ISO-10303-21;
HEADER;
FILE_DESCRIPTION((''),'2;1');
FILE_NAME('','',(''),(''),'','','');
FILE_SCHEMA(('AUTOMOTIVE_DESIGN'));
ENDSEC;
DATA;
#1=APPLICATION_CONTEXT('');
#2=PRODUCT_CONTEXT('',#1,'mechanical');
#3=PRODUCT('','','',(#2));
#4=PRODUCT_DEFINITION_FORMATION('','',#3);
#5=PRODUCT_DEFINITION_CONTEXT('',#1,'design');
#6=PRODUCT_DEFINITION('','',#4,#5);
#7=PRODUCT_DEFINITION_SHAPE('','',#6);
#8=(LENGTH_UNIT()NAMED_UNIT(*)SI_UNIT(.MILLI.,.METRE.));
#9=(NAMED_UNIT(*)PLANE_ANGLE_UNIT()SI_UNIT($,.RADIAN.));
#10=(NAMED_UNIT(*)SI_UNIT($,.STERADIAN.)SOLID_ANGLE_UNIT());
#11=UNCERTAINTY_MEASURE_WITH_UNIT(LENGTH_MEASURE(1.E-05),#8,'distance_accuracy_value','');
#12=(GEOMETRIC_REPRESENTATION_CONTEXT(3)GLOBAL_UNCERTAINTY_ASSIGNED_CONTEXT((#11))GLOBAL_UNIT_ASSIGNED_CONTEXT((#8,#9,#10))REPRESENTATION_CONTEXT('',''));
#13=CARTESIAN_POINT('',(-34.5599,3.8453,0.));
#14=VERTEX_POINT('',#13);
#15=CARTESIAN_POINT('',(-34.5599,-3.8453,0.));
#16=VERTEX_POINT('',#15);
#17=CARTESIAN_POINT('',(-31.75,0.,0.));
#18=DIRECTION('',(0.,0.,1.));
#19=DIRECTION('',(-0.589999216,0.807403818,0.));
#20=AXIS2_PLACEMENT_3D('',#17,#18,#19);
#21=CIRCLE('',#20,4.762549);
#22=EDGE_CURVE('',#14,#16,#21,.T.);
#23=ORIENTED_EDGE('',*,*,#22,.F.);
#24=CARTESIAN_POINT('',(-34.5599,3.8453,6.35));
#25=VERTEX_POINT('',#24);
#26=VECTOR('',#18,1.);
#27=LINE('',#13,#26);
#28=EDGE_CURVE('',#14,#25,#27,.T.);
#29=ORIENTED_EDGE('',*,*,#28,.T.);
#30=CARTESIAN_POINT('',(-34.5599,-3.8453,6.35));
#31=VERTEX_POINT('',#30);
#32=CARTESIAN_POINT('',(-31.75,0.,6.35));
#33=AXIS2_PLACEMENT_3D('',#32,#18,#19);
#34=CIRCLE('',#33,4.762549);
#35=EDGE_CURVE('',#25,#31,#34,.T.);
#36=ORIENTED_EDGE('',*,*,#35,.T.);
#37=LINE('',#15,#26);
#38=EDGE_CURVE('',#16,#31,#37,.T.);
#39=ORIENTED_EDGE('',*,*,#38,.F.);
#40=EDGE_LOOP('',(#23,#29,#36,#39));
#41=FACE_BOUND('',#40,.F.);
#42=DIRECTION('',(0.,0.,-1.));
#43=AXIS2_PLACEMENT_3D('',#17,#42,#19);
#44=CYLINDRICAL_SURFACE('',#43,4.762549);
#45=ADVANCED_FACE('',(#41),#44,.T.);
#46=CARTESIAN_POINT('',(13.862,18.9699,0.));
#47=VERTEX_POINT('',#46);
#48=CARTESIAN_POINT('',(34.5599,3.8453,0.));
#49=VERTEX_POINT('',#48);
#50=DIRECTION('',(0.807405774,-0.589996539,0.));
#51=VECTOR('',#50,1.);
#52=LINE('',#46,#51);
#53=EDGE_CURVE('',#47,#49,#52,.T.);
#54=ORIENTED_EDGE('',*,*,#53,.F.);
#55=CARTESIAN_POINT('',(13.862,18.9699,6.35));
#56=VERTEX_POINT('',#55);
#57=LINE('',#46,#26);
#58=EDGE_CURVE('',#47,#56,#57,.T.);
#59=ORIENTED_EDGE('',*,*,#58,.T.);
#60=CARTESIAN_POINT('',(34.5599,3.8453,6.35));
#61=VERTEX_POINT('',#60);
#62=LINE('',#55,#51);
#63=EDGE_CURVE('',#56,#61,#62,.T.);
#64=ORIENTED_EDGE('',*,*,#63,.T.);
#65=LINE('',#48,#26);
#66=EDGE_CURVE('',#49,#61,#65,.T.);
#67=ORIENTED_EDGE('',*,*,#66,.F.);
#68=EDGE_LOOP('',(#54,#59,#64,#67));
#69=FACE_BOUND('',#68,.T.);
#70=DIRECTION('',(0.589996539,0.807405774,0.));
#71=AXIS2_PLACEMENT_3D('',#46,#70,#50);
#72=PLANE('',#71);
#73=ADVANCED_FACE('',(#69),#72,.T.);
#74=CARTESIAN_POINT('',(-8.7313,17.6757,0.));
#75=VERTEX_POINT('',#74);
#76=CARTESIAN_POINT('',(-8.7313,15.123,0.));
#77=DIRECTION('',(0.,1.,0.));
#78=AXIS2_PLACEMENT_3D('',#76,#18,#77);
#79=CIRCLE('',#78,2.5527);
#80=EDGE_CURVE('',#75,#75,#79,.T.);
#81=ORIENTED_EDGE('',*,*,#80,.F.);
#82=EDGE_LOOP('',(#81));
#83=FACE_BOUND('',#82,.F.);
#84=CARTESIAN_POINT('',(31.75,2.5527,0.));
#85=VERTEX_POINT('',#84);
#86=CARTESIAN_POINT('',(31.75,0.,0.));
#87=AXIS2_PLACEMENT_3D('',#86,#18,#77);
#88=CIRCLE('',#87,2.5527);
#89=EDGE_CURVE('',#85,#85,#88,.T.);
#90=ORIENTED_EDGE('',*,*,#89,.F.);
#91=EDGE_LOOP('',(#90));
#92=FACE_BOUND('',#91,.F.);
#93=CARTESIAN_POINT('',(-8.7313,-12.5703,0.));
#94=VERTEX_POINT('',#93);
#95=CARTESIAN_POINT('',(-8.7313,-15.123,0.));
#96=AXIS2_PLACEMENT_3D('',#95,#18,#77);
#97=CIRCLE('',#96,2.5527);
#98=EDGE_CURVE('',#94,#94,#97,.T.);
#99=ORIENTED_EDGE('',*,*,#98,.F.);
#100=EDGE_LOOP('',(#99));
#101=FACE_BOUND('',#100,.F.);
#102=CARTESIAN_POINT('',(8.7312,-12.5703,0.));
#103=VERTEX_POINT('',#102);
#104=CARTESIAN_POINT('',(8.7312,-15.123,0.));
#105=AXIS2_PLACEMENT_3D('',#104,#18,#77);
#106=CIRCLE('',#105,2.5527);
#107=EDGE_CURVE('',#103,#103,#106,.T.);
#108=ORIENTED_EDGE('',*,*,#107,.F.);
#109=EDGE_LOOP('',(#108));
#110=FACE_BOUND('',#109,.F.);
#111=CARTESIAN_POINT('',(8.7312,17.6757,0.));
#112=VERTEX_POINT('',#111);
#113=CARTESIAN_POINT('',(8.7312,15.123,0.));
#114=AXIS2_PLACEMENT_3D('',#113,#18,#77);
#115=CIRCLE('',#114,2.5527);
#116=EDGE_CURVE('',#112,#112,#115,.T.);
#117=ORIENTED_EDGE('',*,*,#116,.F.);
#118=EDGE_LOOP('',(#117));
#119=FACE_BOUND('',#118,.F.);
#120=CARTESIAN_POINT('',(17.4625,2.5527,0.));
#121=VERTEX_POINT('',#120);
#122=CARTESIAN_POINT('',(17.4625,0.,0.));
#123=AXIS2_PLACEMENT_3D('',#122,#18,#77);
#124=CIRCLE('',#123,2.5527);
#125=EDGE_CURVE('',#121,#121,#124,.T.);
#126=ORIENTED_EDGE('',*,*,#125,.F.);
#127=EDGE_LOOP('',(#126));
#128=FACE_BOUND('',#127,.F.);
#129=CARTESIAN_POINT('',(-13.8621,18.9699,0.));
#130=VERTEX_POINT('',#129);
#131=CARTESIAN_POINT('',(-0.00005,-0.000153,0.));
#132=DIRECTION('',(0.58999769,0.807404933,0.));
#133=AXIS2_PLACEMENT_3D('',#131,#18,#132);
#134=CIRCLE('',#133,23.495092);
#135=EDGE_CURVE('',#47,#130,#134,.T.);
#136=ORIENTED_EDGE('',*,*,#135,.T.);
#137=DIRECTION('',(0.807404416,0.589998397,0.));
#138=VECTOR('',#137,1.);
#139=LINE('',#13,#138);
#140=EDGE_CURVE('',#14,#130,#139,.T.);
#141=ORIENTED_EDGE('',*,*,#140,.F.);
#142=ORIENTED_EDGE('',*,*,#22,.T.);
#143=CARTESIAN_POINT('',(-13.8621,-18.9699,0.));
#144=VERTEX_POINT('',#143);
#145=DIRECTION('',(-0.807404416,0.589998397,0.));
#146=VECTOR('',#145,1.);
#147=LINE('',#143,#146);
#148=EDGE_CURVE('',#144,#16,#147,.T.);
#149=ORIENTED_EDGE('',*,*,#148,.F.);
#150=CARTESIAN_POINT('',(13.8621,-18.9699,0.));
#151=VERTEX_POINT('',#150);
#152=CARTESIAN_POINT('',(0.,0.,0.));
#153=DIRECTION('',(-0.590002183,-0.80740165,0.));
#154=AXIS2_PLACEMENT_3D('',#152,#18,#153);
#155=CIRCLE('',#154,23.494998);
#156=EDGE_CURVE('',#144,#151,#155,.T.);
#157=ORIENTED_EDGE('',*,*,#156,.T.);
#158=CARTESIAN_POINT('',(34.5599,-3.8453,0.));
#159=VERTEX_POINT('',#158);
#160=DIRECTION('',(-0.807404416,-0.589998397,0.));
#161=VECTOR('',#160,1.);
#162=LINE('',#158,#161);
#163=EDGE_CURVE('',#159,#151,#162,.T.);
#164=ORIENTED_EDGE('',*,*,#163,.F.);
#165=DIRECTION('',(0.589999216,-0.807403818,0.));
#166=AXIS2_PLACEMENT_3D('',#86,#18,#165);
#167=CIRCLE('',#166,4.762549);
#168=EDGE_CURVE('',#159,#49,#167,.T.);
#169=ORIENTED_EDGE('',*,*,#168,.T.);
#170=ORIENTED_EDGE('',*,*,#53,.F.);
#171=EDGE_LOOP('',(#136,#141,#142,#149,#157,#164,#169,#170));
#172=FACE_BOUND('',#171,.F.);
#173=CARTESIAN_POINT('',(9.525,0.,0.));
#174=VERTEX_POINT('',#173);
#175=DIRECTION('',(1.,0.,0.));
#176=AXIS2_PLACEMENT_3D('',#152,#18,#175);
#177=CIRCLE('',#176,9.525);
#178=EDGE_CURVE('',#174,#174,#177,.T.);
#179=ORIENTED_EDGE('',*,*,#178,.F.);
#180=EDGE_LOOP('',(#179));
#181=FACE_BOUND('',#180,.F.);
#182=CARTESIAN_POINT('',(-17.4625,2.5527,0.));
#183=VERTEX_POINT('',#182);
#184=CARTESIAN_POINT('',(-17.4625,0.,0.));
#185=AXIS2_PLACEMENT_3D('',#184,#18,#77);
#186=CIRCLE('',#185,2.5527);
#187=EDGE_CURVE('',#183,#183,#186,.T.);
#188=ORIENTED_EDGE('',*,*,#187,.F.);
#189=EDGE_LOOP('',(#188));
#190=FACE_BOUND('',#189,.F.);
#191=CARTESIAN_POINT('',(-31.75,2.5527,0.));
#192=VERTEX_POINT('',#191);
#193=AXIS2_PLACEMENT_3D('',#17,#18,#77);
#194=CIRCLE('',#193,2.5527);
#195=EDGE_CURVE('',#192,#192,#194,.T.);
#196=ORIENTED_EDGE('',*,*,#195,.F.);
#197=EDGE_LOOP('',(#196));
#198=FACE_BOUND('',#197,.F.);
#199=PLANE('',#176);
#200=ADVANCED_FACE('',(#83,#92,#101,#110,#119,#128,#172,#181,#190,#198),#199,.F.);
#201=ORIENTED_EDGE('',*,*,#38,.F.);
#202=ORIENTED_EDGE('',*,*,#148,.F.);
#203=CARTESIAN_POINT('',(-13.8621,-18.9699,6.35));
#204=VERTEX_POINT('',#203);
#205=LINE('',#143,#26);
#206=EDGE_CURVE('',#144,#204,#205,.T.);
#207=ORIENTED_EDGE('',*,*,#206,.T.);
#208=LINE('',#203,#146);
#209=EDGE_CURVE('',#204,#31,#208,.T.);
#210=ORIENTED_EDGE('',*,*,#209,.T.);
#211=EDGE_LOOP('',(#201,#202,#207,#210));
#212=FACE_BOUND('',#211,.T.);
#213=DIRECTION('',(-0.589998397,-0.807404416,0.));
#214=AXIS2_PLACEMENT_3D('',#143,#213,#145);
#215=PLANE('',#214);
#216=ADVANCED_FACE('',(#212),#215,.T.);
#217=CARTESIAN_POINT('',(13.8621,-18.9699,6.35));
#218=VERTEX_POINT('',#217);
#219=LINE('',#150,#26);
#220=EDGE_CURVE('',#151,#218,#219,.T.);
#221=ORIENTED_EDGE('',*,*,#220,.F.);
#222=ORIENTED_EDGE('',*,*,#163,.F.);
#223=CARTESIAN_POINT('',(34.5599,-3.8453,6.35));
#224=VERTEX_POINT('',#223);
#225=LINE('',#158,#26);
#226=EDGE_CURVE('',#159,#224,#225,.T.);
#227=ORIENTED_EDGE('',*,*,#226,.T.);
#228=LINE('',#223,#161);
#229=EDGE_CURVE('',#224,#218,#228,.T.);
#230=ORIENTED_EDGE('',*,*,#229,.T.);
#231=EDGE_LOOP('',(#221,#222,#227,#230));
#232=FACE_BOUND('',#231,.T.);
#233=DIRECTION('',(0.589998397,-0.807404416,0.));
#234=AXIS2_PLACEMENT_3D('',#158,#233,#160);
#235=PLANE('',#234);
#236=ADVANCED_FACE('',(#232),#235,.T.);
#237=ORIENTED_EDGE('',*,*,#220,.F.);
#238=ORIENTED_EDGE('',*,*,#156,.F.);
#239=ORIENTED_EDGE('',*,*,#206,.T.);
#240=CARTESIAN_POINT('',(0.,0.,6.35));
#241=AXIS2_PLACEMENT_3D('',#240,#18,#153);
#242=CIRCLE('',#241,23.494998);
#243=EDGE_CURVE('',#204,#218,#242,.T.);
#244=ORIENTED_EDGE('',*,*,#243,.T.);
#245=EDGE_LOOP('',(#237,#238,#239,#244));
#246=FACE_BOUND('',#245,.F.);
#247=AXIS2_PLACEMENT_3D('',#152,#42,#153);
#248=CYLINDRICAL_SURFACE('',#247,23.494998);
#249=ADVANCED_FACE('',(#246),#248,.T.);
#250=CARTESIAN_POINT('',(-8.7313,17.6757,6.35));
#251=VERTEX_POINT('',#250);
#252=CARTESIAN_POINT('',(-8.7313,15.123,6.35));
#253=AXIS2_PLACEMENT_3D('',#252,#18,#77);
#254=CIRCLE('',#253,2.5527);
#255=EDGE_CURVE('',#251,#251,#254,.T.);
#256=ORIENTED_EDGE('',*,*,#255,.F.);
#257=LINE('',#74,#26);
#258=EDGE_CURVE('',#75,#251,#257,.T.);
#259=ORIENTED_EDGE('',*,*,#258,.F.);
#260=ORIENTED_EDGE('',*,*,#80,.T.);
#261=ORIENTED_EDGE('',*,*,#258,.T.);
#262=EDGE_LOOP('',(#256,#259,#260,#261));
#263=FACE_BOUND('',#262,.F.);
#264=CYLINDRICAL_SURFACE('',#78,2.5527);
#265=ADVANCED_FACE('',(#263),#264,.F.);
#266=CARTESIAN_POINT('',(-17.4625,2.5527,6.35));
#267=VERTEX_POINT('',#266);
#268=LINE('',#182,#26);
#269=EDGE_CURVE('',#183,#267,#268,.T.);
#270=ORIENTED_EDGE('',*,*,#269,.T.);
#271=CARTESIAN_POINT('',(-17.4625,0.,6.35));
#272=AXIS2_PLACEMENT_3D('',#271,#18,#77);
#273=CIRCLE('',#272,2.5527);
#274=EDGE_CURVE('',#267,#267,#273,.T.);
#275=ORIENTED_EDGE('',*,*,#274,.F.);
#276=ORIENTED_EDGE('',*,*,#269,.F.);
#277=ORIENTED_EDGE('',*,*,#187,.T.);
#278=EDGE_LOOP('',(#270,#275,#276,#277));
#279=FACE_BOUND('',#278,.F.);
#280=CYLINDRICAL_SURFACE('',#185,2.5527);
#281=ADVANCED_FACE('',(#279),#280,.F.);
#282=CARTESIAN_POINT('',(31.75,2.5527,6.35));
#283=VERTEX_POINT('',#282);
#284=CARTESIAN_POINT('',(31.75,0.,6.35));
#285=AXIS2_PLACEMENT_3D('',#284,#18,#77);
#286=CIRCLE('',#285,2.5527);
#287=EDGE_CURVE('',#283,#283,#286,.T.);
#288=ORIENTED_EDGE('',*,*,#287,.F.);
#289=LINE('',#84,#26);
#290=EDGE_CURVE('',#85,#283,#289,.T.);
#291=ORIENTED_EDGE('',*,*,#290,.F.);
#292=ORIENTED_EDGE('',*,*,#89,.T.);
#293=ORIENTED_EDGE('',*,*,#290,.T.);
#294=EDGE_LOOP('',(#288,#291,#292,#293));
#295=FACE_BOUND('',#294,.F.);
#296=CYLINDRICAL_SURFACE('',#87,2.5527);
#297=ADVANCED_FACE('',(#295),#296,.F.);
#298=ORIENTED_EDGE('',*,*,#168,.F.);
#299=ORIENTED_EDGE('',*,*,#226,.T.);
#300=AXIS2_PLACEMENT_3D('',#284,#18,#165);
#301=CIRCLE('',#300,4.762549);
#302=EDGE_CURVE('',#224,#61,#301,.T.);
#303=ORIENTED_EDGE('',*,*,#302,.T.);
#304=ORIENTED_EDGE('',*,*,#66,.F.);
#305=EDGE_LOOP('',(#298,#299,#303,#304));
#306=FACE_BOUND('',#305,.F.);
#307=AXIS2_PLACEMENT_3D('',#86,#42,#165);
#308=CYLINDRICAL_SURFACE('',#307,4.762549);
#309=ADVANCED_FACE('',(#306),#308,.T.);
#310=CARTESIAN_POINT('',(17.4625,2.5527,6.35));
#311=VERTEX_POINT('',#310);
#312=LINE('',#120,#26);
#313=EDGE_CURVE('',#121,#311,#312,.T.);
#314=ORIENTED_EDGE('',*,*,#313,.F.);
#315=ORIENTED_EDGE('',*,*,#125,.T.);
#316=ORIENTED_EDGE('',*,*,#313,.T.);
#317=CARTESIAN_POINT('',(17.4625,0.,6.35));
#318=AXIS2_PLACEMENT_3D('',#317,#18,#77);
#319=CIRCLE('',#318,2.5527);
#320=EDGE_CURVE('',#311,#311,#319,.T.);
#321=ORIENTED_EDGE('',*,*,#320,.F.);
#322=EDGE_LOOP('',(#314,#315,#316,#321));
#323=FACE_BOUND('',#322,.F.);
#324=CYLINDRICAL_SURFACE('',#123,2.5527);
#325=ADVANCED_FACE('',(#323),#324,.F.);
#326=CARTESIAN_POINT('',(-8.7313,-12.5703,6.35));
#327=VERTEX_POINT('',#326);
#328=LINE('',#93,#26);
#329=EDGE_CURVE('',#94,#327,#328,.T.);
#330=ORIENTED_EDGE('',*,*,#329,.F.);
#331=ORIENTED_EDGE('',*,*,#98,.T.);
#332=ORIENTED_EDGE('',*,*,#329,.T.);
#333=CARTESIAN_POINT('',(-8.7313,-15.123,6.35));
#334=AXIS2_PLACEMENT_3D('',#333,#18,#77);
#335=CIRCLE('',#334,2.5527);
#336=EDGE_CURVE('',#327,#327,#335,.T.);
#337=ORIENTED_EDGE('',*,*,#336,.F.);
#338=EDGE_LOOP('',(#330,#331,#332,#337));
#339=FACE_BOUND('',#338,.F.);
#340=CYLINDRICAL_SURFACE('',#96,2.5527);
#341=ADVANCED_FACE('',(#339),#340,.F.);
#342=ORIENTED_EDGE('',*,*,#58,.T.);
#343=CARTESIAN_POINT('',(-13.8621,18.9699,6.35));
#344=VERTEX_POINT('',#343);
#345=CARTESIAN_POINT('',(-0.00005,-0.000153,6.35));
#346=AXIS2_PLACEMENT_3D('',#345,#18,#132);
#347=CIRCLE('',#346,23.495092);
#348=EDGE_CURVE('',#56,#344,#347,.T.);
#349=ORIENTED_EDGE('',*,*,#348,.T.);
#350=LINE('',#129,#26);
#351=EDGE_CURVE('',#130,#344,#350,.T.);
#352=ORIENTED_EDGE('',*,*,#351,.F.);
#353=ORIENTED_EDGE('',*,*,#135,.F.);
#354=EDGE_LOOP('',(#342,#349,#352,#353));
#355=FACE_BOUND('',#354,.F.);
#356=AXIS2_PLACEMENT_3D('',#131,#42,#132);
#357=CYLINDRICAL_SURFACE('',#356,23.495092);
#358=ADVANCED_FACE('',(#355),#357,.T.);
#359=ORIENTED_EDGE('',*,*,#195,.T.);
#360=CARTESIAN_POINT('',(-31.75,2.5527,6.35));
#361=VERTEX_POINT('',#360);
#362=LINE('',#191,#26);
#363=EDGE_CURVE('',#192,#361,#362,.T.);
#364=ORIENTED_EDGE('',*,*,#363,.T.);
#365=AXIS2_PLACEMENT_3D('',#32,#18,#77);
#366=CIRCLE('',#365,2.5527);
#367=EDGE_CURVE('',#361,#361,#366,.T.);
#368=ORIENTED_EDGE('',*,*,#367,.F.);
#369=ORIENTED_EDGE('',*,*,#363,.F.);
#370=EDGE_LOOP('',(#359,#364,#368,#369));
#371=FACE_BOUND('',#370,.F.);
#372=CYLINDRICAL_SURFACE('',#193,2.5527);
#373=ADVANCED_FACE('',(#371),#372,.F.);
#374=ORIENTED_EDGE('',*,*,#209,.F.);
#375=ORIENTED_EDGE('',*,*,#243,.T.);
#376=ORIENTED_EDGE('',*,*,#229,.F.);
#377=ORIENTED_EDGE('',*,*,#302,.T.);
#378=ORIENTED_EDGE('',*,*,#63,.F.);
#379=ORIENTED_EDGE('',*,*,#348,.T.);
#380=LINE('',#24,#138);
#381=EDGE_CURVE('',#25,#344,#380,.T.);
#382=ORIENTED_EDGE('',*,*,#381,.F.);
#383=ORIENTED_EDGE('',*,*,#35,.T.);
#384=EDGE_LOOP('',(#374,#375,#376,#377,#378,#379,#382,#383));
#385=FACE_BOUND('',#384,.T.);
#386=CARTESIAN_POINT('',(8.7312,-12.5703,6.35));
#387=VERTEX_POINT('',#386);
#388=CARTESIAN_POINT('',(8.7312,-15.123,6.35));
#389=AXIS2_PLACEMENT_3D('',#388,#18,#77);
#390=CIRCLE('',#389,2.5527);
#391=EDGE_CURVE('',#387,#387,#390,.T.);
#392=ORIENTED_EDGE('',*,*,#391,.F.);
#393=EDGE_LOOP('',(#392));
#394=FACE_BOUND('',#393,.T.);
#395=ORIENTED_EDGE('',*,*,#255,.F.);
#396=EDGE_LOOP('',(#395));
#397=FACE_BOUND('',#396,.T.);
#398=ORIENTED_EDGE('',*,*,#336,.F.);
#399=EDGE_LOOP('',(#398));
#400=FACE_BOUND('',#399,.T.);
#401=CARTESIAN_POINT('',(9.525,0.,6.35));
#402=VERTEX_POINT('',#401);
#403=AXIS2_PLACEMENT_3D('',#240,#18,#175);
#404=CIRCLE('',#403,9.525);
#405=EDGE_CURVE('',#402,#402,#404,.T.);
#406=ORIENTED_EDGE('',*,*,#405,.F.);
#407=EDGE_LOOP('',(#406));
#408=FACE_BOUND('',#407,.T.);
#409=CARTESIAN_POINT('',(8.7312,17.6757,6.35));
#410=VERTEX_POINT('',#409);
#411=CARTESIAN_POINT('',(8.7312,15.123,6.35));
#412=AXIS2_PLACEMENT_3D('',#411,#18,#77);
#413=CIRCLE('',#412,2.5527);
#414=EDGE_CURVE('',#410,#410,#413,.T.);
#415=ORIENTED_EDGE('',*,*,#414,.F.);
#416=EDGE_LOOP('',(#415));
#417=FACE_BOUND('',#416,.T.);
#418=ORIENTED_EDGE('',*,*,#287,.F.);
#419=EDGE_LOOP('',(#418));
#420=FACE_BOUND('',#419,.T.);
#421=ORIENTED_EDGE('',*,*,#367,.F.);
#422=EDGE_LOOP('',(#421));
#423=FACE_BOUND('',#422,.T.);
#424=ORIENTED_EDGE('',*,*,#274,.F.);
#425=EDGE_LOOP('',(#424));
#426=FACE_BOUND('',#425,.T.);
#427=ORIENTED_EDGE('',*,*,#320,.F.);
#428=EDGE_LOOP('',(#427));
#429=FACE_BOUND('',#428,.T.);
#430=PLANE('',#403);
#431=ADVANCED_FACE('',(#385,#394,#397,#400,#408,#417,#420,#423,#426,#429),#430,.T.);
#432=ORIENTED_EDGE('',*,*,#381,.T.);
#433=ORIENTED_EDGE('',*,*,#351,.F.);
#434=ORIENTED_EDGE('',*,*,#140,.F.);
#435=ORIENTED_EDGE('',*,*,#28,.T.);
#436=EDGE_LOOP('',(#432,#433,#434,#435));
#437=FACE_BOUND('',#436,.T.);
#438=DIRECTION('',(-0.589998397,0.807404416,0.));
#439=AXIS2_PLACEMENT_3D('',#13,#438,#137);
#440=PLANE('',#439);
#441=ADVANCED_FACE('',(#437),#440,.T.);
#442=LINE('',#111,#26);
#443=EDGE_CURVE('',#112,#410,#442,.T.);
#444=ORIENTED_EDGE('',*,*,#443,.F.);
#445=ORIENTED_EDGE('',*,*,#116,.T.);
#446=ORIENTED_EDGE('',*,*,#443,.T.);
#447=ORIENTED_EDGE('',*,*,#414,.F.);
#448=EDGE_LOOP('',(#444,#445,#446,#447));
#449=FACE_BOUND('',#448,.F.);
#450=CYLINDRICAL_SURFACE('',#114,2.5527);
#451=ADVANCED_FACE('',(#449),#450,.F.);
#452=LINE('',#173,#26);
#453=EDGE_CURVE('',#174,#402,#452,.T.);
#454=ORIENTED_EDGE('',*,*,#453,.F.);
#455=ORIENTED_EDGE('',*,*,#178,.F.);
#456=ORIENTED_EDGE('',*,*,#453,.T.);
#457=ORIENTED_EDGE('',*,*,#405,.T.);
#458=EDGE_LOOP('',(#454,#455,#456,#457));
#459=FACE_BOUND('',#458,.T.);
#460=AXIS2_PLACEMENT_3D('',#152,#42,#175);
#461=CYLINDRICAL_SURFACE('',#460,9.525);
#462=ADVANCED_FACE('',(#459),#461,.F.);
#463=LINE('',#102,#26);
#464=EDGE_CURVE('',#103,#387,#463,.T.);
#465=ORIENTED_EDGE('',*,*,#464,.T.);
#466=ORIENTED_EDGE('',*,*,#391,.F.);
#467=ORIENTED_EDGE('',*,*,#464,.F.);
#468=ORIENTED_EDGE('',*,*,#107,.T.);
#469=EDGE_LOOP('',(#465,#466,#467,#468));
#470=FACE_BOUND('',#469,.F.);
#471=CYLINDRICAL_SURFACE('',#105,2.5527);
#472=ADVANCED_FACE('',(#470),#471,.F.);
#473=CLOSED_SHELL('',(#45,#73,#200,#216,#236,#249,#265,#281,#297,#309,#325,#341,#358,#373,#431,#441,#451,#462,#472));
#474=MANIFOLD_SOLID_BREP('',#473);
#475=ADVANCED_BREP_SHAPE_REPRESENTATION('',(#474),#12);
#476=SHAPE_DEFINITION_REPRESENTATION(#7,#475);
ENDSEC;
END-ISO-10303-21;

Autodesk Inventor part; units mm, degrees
ref_plane "YZ Plane" through (0, 0, 0) normal (1, 0, 0) x (0, 1, 0)
ref_plane "XZ Plane" through (0, 0, 0) normal (0, 1, 0) x (-1, 0, 0)
ref_plane "XY Plane" through (0, 0, 0) normal (0, 0, 1) x (1, 0, 0)
sketch "Sketch1" plane through (0, 0, 0) normal (0, 0, 1) x (1, 0, 0)
  circle A0 centre (-31.75, 0) radius 4.7625 construction
  circle A1 centre (31.75, 0) radius 4.7625 construction
  line L0 (-31.75, 0) -> (31.75, 0) construction
  circle A2 centre (0, 0) radius 23.495 construction
  line L1 (-34.5599, 3.8453) -> (-13.8621, 18.9699)
  line L2 (13.862, 18.9699) -> (34.5599, 3.8453)
  line L3 (34.5599, -3.8453) -> (13.8621, -18.9699)
  line L4 (-13.8621, -18.9699) -> (-34.5599, -3.8453)
  arc A3 (-34.5599, 3.8453) -> (-34.5599, -3.8453) centre (-31.75, 0) ccw
  arc A4 (34.5599, -3.8453) -> (34.5599, 3.8453) centre (31.75, 0) ccw
  arc A5 (13.862, 18.9699) -> (-13.8621, 18.9699) centre (0, 0) ccw
  arc A6 (-13.8621, -18.9699) -> (13.8621, -18.9699) centre (0, 0) ccw
  circle A7 centre (0, 0) radius 9.525
  circle A8 centre (0, 0) radius 17.4625 construction
  line L5 (0, 0) -> (-17.4625, 0) construction
  point P0 (8.7312, 15.123)
  point P1 (-8.7313, 15.123)
  point P2 (-8.7313, -15.123)
  point P3 (8.7312, -15.123)
  point P4 (17.4625, 0)
  dimension "d5" = 34.925
  dimension "d0" = 9.525
  dimension "d1" = 9.525
  dimension "d2" = 63.5
  dimension "d3" = 46.99
  dimension "d4" = 19.05
  dimension "d8" = 360
extrude "Extrusion1" add sketch "Sketch1" along normal blind 6.35
hole "Hole1" at (8.7312, 15.123, 0) at (-8.7313, 15.123, 0) at (-17.4625, 0, 0) at (-8.7313, -15.123, 0) at (8.7312, -15.123, 0) at (31.75, 0, 0) at (-31.75, 0, 0) at (17.4625, 0, 0) direction (0, 0, 1) diameter 5.1054 end through all clearance for "Flat Head Machine Screw (82)" size "#10" standard "Ansi Unified Screw Threads"
properties part number "GP6-005" material "Aluminum 6061"
